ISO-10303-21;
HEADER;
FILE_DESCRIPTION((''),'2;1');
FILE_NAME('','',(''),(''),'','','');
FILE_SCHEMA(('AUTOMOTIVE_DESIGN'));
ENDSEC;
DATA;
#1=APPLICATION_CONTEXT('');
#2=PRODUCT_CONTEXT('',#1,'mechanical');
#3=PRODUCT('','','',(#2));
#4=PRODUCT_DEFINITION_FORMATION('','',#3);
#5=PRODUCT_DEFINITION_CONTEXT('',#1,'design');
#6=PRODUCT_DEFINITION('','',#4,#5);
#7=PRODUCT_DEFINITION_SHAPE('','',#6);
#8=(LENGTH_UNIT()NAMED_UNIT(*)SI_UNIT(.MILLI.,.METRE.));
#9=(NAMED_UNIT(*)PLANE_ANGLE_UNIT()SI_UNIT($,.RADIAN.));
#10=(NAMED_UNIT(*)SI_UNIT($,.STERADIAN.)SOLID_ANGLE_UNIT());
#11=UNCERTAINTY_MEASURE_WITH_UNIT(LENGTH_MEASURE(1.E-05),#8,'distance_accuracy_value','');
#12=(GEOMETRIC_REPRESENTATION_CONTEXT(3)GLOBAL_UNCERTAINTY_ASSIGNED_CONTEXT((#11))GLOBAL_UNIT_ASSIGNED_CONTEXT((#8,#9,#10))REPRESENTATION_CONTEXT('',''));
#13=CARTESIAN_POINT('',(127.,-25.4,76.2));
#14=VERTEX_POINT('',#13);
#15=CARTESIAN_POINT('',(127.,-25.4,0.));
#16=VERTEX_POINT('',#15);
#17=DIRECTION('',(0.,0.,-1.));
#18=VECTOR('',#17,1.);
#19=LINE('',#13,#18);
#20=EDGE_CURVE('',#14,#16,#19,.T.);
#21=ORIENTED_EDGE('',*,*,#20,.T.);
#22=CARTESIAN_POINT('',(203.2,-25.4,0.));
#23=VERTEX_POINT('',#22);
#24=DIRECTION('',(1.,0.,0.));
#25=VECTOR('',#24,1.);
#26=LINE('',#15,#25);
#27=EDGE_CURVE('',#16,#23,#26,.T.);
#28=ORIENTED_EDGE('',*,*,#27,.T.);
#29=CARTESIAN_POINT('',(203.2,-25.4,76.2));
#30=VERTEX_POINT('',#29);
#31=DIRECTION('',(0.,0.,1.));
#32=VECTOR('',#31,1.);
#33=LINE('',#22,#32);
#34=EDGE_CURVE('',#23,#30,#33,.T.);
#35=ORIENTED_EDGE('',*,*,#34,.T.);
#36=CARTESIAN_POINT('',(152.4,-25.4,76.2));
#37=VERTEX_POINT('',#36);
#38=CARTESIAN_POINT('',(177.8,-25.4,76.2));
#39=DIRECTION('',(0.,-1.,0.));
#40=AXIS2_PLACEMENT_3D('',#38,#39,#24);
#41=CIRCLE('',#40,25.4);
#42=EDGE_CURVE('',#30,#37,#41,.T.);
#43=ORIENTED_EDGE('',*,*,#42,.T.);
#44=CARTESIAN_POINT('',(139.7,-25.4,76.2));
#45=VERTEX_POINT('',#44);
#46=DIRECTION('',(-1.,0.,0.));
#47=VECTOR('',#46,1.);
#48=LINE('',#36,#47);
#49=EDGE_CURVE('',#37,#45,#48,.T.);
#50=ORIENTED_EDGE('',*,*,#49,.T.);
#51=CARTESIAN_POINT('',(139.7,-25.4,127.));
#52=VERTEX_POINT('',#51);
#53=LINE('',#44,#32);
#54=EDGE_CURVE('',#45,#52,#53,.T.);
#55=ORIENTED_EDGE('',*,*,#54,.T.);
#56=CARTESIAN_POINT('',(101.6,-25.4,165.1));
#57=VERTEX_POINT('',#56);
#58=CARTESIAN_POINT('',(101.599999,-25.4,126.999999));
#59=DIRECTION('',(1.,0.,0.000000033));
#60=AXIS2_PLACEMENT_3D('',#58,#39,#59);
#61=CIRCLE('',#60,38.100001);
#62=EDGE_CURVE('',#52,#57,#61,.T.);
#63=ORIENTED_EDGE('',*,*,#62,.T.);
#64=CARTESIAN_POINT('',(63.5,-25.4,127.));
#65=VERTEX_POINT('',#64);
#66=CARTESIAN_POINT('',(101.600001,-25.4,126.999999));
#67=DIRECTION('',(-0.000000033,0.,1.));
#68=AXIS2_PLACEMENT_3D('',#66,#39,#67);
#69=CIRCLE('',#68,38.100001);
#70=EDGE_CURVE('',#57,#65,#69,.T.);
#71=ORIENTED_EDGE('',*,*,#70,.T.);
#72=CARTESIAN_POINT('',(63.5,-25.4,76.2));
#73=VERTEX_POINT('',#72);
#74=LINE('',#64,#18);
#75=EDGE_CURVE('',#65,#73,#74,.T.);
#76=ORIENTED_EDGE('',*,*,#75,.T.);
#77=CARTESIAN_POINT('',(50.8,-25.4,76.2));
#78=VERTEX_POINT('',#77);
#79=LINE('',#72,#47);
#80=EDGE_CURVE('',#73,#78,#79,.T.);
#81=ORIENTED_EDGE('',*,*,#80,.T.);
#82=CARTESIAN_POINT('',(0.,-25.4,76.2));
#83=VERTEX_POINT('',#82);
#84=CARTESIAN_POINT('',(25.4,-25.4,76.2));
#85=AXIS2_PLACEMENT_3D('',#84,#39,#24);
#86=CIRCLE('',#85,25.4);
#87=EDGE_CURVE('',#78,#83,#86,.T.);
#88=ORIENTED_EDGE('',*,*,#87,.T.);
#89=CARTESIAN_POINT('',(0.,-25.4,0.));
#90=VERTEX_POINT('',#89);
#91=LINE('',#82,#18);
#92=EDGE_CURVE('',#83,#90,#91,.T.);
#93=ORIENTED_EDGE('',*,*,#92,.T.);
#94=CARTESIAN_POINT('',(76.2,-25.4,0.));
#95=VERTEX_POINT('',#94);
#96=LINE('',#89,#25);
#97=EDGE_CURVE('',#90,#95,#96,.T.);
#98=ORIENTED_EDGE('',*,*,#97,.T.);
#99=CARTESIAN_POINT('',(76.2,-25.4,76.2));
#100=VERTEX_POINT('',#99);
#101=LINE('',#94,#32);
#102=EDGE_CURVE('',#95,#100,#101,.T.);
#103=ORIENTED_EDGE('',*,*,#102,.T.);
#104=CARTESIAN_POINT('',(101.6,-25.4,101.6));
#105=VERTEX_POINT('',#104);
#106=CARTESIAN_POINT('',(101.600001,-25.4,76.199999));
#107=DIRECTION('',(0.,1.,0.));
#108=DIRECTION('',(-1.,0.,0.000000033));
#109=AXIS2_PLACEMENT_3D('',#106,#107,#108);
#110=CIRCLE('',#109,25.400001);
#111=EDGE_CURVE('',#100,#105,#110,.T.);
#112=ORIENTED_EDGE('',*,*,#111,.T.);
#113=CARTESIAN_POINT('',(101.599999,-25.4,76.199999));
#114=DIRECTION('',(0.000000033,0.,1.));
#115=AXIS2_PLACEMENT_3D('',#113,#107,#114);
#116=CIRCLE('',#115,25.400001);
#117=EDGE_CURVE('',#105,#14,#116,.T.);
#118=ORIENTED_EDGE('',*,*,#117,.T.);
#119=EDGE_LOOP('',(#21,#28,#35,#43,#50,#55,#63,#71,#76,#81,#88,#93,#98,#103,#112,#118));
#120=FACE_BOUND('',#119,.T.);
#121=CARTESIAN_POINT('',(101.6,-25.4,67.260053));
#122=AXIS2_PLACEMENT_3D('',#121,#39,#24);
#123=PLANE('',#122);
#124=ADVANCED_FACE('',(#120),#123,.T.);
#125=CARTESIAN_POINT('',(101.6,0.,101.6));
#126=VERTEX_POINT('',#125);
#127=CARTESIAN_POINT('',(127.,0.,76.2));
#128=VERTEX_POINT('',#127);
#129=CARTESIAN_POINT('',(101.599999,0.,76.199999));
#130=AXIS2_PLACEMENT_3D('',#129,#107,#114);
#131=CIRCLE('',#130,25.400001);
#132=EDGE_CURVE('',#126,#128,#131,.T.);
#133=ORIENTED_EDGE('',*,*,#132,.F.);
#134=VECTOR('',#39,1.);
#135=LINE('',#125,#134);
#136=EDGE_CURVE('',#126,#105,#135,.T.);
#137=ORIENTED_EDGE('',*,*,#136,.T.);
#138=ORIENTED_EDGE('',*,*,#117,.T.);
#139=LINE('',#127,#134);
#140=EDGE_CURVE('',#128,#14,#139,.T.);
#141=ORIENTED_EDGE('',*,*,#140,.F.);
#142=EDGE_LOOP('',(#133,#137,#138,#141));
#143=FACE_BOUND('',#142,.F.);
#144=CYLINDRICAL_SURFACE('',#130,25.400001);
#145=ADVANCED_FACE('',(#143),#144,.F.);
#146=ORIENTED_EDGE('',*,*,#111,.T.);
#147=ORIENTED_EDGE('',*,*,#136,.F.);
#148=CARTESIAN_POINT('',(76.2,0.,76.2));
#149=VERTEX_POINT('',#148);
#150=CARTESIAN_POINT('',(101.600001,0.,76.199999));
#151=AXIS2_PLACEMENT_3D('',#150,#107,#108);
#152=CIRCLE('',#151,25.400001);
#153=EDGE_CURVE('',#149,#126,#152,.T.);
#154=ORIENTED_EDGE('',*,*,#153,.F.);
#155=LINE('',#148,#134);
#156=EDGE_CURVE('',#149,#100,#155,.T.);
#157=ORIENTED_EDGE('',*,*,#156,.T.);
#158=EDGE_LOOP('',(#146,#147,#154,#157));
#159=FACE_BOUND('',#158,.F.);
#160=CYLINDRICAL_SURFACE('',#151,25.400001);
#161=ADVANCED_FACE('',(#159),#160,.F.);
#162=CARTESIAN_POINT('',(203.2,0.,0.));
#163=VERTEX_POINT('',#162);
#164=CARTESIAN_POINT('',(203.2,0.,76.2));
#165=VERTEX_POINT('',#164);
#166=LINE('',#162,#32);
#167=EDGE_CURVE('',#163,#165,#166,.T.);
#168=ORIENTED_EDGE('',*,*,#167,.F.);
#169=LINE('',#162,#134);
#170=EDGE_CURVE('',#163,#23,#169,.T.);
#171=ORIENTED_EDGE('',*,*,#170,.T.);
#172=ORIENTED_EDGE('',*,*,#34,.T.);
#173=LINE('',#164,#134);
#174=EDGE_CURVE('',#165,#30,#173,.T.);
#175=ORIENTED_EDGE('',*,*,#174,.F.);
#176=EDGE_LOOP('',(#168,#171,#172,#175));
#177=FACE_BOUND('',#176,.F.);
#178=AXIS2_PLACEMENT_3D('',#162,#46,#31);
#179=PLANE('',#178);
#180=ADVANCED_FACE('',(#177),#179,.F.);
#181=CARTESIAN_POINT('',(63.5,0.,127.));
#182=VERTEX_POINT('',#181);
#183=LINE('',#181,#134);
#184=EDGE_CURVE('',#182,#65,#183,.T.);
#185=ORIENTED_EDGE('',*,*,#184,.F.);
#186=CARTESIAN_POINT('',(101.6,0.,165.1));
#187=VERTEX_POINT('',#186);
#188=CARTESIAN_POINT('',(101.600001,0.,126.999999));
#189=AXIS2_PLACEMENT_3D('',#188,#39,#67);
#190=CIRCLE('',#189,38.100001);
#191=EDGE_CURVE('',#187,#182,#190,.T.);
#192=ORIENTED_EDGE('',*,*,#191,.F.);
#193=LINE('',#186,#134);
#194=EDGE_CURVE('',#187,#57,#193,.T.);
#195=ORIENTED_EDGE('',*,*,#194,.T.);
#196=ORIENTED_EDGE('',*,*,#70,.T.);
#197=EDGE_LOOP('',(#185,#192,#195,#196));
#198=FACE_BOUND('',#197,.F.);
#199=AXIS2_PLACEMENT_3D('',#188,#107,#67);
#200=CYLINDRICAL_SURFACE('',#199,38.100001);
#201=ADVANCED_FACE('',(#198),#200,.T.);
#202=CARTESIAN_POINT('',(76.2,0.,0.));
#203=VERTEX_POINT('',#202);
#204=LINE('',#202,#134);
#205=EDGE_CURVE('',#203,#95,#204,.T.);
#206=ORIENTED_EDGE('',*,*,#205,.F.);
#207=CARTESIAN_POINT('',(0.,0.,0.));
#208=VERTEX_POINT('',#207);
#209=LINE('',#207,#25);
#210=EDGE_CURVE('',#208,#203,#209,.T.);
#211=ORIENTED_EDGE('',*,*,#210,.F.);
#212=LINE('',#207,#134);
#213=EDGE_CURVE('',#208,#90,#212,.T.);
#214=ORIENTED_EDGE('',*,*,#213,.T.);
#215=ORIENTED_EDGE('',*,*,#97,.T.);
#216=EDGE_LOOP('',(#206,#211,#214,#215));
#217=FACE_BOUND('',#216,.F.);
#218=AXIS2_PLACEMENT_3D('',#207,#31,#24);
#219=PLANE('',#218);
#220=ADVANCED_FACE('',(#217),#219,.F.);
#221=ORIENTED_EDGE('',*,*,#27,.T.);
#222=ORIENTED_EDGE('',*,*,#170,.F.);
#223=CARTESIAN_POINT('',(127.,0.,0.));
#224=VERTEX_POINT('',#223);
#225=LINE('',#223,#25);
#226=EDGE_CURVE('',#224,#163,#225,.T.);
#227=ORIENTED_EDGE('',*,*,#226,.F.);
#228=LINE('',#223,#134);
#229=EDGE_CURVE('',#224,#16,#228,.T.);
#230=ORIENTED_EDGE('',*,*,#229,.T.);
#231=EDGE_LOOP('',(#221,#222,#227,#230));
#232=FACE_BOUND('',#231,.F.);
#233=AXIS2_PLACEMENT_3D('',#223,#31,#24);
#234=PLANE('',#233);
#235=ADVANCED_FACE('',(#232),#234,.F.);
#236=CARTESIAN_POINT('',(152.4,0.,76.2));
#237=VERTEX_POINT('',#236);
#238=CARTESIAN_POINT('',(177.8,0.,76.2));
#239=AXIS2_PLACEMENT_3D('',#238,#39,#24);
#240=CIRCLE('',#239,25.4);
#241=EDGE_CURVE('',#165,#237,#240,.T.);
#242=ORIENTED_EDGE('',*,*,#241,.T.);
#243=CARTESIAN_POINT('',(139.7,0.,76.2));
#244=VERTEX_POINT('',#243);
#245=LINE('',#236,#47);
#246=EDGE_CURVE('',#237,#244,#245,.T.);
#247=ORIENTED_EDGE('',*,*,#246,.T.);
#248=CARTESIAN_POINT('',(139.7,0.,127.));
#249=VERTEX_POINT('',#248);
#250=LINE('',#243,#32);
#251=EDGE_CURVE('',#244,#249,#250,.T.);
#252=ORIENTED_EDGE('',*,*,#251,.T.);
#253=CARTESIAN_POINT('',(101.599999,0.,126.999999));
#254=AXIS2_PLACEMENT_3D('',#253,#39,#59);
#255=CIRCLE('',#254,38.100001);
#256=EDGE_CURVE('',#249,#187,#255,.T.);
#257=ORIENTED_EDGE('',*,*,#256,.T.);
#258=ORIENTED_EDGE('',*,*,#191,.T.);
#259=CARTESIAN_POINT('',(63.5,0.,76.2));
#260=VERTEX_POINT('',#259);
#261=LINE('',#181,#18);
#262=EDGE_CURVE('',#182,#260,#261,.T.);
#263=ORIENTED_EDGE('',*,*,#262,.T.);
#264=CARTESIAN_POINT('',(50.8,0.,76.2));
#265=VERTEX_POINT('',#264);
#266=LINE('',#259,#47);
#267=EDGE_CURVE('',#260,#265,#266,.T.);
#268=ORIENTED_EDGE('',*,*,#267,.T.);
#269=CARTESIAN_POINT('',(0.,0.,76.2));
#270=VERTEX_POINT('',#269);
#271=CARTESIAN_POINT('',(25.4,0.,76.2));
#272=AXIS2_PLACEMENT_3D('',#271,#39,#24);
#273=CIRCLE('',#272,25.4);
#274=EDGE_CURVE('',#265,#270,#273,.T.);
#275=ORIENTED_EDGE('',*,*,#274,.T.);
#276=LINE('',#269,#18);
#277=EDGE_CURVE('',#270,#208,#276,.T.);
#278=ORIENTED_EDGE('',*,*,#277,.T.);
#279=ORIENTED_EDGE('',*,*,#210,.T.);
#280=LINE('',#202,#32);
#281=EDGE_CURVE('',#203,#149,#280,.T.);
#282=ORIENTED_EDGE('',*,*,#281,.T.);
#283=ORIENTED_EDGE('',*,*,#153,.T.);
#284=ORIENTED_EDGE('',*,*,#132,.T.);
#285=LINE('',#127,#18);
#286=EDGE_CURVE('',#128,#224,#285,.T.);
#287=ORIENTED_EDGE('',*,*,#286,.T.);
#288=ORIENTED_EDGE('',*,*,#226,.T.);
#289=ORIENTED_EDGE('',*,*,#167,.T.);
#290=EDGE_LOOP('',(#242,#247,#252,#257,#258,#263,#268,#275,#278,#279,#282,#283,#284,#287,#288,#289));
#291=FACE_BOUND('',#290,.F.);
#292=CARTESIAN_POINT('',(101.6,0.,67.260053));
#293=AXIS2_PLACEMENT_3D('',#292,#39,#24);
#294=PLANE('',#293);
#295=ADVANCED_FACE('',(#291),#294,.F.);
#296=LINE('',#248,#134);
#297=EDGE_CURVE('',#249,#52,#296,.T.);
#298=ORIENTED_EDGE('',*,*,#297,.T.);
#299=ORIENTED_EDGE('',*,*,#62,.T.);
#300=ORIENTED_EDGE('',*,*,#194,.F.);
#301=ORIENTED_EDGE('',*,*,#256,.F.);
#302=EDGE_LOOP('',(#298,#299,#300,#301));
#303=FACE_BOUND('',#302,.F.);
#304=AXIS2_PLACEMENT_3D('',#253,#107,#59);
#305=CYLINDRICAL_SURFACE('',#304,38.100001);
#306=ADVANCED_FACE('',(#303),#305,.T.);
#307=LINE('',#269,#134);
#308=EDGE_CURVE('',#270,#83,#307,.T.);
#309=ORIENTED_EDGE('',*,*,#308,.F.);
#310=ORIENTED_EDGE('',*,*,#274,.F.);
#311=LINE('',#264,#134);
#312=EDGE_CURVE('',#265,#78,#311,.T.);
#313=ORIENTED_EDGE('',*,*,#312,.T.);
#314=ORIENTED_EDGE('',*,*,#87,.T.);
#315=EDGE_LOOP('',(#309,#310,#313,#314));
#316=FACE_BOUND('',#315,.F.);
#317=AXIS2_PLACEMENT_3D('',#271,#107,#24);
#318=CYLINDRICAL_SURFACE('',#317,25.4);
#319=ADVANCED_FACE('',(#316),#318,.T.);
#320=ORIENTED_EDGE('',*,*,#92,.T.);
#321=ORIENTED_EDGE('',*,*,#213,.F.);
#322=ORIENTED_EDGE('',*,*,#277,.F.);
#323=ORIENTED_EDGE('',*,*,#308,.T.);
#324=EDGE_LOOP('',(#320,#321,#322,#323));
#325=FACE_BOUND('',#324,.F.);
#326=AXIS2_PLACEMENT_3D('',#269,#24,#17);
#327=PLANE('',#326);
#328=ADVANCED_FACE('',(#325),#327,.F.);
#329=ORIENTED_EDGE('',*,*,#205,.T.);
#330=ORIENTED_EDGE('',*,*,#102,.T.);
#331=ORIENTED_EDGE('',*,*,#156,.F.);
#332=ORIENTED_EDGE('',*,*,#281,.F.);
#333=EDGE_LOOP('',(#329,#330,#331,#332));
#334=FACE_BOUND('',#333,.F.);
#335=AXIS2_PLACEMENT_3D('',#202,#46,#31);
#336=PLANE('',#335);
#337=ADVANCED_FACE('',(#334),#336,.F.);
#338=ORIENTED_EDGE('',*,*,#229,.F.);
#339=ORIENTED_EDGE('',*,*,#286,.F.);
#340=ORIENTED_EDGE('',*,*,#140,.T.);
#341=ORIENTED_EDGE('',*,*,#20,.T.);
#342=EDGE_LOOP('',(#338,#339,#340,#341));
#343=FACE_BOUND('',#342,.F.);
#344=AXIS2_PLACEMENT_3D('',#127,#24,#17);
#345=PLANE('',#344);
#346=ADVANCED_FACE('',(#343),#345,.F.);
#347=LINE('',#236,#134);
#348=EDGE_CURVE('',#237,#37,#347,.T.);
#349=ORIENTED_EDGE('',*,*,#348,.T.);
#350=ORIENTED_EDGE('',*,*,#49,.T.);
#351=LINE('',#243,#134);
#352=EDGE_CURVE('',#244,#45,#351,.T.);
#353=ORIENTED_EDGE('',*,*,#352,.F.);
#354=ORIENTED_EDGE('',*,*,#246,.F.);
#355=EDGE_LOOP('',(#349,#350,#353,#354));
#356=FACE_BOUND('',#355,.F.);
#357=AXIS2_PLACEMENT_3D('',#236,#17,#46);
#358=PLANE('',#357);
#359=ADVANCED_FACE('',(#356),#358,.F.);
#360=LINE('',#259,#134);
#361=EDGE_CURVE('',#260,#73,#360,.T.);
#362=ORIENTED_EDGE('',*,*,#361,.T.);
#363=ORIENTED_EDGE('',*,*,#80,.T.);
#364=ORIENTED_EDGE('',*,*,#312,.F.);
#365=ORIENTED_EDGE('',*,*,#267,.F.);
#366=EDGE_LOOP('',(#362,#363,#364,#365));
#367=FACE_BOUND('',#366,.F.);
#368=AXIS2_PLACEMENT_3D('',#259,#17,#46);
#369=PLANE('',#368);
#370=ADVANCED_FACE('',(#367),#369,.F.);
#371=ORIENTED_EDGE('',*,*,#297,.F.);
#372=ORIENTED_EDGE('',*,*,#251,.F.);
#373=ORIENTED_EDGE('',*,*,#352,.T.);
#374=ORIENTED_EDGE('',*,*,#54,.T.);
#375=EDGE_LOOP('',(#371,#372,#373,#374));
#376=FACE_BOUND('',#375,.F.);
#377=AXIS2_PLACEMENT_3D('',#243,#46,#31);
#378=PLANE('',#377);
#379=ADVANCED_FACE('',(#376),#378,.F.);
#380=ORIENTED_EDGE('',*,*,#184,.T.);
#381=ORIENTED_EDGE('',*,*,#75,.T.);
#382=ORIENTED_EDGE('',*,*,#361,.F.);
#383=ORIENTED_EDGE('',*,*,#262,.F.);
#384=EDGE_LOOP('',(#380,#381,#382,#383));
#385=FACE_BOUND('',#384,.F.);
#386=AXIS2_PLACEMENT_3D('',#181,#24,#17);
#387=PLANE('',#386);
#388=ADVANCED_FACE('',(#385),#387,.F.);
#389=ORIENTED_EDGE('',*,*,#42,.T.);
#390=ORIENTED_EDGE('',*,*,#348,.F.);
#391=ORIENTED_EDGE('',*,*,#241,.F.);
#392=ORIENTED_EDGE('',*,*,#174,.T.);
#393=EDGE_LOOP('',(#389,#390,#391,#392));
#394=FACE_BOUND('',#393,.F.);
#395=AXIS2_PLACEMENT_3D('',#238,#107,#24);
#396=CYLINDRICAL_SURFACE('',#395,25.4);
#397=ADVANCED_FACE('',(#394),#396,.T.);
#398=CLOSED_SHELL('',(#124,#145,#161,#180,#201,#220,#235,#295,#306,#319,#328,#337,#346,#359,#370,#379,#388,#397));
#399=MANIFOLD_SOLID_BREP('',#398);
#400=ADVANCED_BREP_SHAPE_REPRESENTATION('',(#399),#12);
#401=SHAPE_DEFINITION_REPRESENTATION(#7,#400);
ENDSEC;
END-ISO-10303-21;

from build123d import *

# Parameters (mm, degrees)
F1_DEPTH = 25.4


with BuildPart() as f1:
    # F0 (on Front) → F1 (new body)
    with BuildSketch(Plane.XZ):
        with BuildLine():
            Line((0, 76.2), (0, 0))
            Line((0, 0), (76.2, 0))
            Line((76.2, 0), (76.2, 76.2))
            ThreePointArc((76.2, 76.2), (83.639488, 94.160512), (101.6, 101.6))
            ThreePointArc((101.6, 101.6), (119.560512, 94.160512), (127, 76.2))
            Line((127, 76.2), (127, 0))
            Line((127, 0), (203.2, 0))
            Line((203.2, 0), (203.2, 76.2))
            ThreePointArc((203.2, 76.2), (177.8, 101.6), (152.4, 76.2))
            Line((152.4, 76.2), (139.7, 76.2))
            Line((139.7, 76.2), (139.7, 127))
            ThreePointArc((139.7, 127), (128.540768, 153.940768), (101.6, 165.1))
            ThreePointArc((101.6, 165.1), (74.659232, 153.940768), (63.5, 127))
            Line((63.5, 127), (63.5, 76.2))
            Line((63.5, 76.2), (50.8, 76.2))
            ThreePointArc((50.8, 76.2), (25.4, 101.6), (0, 76.2))
        make_face()
    extrude(amount=F1_DEPTH)


solid = f1.part
